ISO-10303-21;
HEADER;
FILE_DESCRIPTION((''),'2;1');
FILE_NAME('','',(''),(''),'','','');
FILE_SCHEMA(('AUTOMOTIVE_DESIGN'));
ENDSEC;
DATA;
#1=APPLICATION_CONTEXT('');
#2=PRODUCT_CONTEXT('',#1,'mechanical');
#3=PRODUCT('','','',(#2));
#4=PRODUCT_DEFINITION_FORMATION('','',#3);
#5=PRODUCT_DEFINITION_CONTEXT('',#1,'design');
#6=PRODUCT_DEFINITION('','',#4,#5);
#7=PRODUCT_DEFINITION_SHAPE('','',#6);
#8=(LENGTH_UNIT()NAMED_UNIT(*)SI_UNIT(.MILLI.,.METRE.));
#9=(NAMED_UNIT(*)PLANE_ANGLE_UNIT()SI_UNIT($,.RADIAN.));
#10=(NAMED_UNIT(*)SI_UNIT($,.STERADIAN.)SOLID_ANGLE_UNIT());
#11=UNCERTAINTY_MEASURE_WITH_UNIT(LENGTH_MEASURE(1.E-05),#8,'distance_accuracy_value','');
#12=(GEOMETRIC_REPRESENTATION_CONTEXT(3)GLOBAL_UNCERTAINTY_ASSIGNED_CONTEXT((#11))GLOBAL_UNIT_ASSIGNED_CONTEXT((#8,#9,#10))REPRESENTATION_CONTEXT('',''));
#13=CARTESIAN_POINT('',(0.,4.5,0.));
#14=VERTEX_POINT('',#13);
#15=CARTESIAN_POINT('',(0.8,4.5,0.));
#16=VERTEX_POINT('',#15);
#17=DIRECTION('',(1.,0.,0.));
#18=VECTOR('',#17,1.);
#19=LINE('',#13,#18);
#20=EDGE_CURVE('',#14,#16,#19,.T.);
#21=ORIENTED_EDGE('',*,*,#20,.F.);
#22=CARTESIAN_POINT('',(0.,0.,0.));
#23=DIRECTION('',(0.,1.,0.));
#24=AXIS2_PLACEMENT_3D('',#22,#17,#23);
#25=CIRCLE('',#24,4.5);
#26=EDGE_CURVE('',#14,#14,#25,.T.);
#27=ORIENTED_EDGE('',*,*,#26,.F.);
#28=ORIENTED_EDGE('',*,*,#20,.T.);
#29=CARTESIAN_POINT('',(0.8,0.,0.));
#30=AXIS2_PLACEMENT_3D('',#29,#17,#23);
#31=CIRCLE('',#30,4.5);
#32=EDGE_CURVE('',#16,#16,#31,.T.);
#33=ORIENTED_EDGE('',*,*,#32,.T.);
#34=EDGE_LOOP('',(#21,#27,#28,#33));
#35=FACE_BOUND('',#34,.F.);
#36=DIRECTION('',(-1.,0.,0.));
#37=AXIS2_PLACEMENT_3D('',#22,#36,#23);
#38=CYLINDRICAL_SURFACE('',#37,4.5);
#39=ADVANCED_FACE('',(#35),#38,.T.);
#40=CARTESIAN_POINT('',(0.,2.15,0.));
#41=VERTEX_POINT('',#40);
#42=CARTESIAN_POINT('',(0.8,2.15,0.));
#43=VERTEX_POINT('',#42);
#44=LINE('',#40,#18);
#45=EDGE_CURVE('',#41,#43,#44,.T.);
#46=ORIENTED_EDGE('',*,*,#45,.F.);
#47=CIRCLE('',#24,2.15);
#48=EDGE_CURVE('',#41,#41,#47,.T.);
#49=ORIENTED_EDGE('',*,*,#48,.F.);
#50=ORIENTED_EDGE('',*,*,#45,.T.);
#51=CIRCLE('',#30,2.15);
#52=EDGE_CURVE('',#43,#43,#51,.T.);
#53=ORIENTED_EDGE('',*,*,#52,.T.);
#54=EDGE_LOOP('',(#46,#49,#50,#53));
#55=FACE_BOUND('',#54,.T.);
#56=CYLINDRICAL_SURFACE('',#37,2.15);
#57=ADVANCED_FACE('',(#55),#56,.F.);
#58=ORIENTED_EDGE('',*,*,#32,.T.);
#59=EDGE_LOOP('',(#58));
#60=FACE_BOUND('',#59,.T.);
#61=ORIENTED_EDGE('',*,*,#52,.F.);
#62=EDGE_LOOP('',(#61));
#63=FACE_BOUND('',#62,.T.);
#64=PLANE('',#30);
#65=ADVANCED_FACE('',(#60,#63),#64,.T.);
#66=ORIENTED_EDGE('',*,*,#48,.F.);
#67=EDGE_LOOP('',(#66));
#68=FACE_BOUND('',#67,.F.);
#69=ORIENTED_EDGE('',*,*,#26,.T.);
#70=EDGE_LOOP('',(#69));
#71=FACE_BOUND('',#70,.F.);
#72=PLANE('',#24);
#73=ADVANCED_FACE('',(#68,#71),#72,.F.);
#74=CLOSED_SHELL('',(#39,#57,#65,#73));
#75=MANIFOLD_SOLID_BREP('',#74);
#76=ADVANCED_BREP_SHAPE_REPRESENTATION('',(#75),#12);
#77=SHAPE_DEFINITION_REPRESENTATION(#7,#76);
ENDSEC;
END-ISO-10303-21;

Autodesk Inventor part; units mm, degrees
ref_plane "YZ Plane" through (0, 0, 0) normal (1, 0, 0) x (0, 1, 0)
ref_plane "XZ Plane" through (0, 0, 0) normal (0, 1, 0) x (-1, 0, 0)
sketch "Szkic" plane through (0, 0, 0) normal (1, 0, 0) x (0, 1, 0)
  circle A0 centre (0, 0) radius 4.5
  circle A1 centre (0, 0) radius 2.15
  dimension "d0" = 4.3
  dimension "d1" = 9
extrude "Bryła" add sketch "Szkic" along normal blind 0.8
ref_plane "Work Plane1" through (0, 0, 0) normal (0, 0, 1) x (1, 0, 0)
equation "\"d0\" = SD1"
equation "\"d1\" = SD2"
equation "\"d2\" = SD"
equation "\"SD1\" = 4.3"
equation "\"SD2\" = 9"
equation "\"SD\" = 0.8"
equation "\"NND\" = 4"
properties part number "DIN 125-2 - A 4,3" material "Stal, miękka"
